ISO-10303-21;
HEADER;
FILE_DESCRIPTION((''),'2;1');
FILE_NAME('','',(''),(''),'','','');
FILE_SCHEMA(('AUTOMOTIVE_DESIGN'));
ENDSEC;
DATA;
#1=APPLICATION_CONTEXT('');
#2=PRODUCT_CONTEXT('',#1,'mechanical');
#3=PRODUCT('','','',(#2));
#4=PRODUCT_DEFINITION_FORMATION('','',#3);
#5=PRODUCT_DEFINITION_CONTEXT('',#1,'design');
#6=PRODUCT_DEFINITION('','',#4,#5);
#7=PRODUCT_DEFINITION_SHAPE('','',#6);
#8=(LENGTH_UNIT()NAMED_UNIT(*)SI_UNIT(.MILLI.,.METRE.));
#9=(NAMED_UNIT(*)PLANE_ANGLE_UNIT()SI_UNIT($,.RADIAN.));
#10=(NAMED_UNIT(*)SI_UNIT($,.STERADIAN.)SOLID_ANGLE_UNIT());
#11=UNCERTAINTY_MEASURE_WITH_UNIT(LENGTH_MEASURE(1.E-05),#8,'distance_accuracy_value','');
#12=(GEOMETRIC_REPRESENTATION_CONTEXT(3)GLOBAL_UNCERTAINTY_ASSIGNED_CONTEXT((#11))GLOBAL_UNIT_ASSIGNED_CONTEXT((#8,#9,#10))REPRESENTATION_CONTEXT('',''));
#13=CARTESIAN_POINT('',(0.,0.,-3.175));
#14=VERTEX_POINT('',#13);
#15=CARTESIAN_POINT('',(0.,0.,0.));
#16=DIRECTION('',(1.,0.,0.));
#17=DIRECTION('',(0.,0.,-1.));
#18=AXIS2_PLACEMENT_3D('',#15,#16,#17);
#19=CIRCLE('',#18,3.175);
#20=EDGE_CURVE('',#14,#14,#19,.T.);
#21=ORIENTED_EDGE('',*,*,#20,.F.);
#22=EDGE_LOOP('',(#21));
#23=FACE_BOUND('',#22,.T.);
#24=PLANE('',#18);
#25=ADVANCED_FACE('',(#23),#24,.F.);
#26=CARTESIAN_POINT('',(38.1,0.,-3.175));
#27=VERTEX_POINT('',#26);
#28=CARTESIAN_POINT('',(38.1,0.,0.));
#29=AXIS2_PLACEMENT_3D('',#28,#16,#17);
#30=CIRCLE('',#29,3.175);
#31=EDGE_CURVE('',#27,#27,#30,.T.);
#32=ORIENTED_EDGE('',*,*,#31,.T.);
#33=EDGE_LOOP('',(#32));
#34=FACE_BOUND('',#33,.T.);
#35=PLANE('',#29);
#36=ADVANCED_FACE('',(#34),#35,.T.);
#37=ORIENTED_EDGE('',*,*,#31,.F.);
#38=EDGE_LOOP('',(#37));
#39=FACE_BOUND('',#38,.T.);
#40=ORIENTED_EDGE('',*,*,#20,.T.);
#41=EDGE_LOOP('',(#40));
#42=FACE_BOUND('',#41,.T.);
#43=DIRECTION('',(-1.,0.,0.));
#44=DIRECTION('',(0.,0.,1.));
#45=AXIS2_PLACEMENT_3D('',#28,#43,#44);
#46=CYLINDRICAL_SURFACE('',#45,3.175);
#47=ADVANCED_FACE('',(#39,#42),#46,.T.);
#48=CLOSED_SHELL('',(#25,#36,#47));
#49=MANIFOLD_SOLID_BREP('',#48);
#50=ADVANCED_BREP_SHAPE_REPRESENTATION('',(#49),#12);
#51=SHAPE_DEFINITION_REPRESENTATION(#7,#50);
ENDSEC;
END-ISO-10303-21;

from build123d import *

# Parameters (mm, degrees)
CROQUIS1_R              = 3.175
SALIENTE_EXTRUIR1_DEPTH = 38.1


with BuildPart() as part:
    # Croquis1 → Saliente-Extruir1 (new body)
    with BuildSketch(Plane(origin=(0, 0, 0), x_dir=(0, 0, -1), z_dir=(1, 0, 0))):
        Circle(CROQUIS1_R)
    extrude(amount=SALIENTE_EXTRUIR1_DEPTH)


solid = part.part
